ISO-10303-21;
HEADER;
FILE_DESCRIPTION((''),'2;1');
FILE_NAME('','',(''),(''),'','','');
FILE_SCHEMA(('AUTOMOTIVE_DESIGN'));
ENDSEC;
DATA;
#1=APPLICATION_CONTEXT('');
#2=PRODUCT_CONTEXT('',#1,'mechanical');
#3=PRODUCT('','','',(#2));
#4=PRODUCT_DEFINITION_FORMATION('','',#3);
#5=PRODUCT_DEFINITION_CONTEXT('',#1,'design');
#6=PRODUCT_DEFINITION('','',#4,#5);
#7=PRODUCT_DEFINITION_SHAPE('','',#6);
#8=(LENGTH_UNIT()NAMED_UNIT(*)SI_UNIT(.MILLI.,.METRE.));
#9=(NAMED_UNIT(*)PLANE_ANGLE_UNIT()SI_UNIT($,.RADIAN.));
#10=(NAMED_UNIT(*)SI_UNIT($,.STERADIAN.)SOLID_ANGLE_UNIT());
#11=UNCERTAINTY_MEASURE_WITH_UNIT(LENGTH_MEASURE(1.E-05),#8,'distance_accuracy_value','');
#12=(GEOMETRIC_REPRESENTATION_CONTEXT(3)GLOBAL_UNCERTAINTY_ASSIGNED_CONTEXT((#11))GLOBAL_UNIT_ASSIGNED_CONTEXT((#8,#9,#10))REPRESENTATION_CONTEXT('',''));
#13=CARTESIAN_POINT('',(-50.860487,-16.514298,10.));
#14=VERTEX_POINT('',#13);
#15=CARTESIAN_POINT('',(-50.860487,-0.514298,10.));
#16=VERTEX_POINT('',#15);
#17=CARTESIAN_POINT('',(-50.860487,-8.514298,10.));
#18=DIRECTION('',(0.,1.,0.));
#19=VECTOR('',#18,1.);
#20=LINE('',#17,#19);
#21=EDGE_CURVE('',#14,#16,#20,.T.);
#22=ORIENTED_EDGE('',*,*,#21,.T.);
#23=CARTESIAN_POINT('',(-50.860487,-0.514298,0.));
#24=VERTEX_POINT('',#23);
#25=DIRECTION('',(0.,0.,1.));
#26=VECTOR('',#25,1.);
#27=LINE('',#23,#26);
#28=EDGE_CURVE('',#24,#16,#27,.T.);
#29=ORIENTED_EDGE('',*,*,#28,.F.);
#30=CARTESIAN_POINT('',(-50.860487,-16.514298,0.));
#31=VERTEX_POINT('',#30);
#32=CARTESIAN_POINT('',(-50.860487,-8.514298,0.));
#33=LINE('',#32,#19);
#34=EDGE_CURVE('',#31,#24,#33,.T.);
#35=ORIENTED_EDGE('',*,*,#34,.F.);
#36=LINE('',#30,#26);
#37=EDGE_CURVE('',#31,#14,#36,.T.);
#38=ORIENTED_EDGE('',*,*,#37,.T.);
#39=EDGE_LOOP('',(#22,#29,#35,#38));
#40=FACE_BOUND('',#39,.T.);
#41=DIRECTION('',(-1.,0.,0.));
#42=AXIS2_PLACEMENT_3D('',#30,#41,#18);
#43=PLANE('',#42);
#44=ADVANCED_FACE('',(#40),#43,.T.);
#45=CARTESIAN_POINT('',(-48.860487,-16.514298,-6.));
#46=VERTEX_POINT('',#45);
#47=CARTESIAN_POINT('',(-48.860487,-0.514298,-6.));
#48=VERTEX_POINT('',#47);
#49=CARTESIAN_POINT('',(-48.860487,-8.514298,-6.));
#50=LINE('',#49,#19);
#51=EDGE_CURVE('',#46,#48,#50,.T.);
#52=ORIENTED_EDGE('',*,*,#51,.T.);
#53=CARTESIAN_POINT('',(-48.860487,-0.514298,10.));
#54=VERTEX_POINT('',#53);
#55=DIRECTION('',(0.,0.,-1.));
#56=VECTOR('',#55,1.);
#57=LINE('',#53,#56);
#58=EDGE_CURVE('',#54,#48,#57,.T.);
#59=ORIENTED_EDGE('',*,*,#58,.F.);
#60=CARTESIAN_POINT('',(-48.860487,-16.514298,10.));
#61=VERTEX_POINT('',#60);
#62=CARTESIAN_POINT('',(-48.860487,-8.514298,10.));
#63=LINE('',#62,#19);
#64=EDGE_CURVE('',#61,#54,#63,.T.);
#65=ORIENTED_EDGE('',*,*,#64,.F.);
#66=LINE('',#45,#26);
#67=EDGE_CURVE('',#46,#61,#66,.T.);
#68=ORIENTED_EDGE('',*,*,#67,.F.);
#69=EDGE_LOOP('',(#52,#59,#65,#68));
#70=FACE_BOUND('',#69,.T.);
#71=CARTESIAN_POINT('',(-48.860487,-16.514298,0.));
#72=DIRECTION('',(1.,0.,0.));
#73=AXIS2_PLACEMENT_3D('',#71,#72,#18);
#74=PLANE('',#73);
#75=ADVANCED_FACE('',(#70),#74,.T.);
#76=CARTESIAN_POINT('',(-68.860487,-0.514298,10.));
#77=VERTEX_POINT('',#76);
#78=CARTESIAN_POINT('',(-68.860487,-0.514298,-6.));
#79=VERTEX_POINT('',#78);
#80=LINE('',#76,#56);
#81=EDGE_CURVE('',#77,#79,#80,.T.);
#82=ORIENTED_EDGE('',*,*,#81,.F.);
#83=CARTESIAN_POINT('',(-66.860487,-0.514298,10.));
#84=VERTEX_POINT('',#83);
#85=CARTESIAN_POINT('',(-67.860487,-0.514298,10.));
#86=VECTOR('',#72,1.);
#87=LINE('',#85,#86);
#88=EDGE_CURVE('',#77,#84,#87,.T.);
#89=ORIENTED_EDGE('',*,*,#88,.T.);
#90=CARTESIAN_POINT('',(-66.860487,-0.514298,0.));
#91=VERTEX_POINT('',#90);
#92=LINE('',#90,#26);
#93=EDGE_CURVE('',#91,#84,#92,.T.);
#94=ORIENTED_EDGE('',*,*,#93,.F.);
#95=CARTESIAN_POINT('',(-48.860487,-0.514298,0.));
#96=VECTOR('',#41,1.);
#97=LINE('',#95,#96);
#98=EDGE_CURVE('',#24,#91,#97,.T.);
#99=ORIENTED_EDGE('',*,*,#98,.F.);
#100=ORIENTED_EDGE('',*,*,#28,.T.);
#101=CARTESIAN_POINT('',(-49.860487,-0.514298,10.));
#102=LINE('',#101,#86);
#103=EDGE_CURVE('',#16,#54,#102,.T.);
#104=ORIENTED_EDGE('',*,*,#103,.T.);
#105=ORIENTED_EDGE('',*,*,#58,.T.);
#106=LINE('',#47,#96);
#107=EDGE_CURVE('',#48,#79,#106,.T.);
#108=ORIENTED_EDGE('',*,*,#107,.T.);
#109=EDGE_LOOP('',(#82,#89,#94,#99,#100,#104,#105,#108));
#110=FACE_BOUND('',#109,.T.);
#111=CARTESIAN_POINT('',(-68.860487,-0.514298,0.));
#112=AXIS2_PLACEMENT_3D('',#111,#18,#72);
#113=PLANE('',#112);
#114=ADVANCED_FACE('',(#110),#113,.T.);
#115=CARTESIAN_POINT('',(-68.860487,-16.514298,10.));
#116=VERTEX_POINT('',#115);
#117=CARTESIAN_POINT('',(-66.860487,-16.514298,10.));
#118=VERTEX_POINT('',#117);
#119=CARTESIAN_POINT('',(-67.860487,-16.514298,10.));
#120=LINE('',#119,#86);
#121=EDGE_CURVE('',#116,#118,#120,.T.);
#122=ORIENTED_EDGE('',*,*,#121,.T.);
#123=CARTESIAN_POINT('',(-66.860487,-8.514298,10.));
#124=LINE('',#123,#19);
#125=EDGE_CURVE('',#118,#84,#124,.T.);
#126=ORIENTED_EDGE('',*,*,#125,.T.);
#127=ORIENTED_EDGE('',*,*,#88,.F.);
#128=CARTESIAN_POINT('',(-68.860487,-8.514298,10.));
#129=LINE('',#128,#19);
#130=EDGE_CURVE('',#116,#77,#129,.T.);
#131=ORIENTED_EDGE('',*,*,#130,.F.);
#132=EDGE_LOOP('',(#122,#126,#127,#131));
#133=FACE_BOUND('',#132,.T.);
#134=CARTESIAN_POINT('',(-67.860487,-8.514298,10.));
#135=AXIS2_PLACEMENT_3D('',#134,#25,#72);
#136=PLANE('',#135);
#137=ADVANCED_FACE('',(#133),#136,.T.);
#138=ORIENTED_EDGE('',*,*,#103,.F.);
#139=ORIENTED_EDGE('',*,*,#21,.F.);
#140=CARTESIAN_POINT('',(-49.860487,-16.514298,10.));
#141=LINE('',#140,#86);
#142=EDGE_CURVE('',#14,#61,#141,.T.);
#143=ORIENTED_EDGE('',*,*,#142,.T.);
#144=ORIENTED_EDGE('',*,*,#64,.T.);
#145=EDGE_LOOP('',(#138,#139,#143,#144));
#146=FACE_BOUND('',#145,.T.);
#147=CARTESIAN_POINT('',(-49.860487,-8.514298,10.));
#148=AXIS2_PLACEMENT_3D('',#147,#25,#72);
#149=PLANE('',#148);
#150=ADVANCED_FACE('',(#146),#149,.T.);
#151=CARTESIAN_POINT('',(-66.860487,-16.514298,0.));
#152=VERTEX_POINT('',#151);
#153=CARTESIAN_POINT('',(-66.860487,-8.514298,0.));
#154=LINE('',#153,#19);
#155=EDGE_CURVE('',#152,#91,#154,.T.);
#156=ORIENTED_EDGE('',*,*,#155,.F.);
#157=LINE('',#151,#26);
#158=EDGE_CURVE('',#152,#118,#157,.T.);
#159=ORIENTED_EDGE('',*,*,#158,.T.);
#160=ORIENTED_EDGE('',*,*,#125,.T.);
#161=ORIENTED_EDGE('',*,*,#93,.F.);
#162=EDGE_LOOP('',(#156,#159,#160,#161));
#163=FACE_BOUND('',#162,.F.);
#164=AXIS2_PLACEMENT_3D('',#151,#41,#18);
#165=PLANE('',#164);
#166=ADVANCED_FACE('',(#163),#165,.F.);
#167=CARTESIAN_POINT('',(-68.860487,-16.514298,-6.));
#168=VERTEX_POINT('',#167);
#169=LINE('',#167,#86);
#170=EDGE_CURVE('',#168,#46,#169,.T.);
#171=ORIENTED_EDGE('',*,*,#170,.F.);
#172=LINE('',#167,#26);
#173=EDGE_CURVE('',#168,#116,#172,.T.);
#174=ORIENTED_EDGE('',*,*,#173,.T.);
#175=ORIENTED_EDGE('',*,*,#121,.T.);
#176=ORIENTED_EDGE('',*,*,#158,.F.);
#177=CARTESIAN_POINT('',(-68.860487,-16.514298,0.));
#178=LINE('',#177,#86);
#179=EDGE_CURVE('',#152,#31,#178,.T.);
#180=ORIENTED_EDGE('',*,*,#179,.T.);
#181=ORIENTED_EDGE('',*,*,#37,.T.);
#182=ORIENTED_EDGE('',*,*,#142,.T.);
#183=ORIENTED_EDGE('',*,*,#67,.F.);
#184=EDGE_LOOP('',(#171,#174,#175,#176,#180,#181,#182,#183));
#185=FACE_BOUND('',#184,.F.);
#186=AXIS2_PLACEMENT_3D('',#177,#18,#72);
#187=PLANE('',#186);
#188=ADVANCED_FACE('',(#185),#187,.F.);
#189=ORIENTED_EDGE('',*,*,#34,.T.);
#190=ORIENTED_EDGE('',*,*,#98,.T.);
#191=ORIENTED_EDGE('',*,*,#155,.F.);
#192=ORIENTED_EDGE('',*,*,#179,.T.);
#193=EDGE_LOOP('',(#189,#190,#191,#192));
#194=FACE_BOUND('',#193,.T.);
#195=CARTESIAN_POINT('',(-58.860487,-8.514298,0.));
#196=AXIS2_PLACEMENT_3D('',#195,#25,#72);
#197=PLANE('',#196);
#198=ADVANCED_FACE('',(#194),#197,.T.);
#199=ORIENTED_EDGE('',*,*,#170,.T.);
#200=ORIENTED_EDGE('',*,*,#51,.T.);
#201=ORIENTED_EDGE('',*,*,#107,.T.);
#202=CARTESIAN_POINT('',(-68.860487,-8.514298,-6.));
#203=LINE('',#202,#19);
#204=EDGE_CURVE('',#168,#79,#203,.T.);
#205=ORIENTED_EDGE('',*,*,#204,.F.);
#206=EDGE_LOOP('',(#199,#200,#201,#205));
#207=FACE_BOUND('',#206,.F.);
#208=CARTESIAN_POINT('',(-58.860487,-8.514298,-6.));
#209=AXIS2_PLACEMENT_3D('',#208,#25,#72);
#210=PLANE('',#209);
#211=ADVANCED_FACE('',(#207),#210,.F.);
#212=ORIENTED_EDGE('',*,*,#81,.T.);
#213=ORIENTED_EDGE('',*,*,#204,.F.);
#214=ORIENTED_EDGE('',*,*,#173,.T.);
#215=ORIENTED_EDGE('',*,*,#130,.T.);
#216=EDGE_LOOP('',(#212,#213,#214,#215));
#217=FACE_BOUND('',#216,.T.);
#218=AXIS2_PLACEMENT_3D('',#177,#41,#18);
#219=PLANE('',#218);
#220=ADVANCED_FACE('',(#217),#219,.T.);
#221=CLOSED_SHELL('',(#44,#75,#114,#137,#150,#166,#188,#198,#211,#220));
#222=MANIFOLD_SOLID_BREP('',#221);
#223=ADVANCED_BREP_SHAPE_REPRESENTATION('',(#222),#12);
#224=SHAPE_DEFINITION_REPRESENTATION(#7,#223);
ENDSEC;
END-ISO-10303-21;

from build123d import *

# Parameters (mm, degrees)
F0_W     = 16
F0_H     = 16
F0_W_2   = 2
F1_DEPTH = 6
F2_DEPTH = 10


with BuildPart() as f1:
    # F0 (on Top) → F1 (new body)
    with BuildSketch(Plane.XY):
        with Locations((-58.860487, -8.514298)):
            Rectangle(F0_W, F0_H)
        with Locations((-67.860487, -8.514298)):
            Rectangle(F0_W_2, F0_H)
        with Locations((-49.860487, -8.514298)):
            Rectangle(F0_W_2, F0_H)
    extrude(amount=-F1_DEPTH)

    # F0 (on Top) → F2 (join)
    with BuildSketch(Plane.XY):
        with Locations((-67.860487, -8.514298)):
            Rectangle(F0_W_2, F0_H)
        with Locations((-49.860487, -8.514298)):
            Rectangle(F0_W_2, F0_H)
    extrude(amount=F2_DEPTH)


solid = f1.part
